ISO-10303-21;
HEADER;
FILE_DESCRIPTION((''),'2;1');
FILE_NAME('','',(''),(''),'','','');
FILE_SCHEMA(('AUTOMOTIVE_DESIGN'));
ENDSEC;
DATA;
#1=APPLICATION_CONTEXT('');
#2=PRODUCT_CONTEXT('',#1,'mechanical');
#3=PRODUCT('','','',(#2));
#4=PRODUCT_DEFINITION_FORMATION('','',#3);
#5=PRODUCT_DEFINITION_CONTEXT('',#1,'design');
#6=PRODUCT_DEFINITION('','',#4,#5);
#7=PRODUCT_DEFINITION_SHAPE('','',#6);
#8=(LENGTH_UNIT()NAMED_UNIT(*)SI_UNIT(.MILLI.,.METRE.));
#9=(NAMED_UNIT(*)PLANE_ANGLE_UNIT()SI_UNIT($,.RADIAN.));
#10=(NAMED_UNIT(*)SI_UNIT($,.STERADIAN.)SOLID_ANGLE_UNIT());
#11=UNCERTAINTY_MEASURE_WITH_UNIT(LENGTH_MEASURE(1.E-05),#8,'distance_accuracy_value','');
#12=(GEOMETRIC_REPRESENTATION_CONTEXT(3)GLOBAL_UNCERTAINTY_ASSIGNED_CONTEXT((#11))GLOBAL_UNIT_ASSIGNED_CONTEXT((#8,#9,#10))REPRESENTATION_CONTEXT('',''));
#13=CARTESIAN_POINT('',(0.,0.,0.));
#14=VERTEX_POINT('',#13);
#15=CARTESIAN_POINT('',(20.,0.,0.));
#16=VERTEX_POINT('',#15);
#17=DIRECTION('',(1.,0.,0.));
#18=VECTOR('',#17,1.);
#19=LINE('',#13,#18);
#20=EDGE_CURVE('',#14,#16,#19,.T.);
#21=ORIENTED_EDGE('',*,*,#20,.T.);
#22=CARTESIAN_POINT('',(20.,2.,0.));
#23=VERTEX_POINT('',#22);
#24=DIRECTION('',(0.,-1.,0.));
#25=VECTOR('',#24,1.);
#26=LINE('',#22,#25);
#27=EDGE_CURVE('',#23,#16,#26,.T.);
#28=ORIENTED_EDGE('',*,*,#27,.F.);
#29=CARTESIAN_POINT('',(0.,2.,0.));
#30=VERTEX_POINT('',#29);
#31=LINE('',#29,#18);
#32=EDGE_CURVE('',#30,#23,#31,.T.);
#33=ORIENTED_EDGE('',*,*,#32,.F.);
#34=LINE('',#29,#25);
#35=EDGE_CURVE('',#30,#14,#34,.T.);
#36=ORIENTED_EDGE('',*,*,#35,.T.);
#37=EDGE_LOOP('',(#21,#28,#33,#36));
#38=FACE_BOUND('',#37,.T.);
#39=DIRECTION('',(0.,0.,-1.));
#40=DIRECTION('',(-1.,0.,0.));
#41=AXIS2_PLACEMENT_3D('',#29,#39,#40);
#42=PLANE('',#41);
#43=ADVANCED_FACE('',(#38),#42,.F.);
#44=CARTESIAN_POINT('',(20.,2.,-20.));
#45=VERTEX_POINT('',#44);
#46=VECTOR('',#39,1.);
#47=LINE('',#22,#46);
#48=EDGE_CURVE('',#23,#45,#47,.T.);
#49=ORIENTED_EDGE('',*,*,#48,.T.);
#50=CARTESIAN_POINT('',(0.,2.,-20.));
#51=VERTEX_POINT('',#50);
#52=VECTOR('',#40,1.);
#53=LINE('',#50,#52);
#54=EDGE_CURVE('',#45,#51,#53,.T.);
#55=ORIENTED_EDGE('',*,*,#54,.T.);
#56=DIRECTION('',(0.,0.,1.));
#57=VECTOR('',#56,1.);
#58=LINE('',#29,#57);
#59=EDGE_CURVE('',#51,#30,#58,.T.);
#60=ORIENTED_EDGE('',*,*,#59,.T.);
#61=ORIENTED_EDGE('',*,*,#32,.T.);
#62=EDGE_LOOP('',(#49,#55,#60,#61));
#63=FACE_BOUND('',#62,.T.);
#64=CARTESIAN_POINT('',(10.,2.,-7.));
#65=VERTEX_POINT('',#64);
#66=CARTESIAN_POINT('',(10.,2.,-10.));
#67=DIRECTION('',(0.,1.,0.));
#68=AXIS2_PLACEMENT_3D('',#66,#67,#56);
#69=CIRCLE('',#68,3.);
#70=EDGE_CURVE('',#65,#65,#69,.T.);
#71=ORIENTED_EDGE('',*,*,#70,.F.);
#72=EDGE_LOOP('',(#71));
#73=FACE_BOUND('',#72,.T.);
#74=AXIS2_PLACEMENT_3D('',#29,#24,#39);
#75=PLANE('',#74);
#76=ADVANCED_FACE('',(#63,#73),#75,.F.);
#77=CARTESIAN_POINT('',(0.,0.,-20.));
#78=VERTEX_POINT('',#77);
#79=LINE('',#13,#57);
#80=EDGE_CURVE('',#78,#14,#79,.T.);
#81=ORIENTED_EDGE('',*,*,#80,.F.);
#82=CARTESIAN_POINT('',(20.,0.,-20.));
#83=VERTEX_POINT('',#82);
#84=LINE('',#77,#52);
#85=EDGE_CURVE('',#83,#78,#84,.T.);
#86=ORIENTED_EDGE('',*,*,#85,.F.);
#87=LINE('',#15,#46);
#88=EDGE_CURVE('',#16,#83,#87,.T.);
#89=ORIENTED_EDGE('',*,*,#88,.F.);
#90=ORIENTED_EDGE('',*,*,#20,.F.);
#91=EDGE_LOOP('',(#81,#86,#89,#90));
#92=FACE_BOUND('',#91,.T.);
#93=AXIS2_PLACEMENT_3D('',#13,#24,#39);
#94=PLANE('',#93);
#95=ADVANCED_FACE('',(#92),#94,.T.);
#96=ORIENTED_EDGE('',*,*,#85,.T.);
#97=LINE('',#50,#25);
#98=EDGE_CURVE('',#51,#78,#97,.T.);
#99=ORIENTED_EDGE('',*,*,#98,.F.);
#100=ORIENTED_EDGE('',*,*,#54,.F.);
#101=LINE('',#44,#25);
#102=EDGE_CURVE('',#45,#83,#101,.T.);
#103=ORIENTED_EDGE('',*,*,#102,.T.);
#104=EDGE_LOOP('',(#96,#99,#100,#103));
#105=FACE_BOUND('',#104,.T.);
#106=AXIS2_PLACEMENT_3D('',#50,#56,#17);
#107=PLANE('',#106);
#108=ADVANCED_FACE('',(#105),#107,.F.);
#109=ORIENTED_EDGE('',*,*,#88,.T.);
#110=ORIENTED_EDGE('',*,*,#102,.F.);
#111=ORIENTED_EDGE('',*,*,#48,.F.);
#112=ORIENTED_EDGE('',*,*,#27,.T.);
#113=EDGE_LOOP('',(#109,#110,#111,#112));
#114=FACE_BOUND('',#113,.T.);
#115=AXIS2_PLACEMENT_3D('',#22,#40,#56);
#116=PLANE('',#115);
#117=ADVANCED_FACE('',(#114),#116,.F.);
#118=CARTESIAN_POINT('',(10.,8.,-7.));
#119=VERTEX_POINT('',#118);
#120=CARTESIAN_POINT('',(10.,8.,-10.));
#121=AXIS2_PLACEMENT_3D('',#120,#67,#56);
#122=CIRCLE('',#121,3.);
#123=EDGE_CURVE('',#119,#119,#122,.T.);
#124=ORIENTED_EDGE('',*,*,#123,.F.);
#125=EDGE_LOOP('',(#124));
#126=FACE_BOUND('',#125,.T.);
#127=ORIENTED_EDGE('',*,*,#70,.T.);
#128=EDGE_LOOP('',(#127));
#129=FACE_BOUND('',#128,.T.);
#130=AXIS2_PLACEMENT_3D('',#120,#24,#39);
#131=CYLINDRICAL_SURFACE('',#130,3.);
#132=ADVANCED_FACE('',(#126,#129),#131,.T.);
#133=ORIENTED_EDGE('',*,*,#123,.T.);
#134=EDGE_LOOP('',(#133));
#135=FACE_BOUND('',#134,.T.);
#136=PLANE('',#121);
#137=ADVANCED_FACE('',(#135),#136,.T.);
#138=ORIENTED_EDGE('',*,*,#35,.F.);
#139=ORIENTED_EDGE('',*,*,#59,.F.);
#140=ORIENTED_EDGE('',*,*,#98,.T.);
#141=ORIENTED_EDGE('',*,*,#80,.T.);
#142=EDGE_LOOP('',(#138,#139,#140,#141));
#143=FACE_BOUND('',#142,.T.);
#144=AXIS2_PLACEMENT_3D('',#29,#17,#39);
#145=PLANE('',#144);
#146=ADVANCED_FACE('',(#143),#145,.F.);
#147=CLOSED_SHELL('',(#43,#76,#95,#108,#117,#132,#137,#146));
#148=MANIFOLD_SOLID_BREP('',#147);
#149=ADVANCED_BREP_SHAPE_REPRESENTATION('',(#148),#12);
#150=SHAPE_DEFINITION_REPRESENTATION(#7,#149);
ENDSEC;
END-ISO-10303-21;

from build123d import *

# Parameters (mm, degrees)
SKETCH1_W           = 20
SKETCH1_H           = 20
BOSS_EXTRUDE1_DEPTH = 2
SKETCH2_R           = 3
BOSS_EXTRUDE2_DEPTH = 6


with BuildPart() as part:
    # Sketch1 → Boss-Extrude1 (new body)
    with BuildSketch(Plane(origin=(0, 0, 0), x_dir=(1, 0, 0), z_dir=(0, 1, 0))):
        with Locations((10, 10)):
            Rectangle(SKETCH1_W, SKETCH1_H)
    extrude(amount=BOSS_EXTRUDE1_DEPTH)

    # Sketch2 → Boss-Extrude2 (add)
    with BuildSketch(Plane(origin=(0, 2, 0), x_dir=(1, 0, 0), z_dir=(0, 1, 0))):
        with Locations((10, 10)):
            Circle(SKETCH2_R)
    extrude(amount=BOSS_EXTRUDE2_DEPTH)


solid = part.part
